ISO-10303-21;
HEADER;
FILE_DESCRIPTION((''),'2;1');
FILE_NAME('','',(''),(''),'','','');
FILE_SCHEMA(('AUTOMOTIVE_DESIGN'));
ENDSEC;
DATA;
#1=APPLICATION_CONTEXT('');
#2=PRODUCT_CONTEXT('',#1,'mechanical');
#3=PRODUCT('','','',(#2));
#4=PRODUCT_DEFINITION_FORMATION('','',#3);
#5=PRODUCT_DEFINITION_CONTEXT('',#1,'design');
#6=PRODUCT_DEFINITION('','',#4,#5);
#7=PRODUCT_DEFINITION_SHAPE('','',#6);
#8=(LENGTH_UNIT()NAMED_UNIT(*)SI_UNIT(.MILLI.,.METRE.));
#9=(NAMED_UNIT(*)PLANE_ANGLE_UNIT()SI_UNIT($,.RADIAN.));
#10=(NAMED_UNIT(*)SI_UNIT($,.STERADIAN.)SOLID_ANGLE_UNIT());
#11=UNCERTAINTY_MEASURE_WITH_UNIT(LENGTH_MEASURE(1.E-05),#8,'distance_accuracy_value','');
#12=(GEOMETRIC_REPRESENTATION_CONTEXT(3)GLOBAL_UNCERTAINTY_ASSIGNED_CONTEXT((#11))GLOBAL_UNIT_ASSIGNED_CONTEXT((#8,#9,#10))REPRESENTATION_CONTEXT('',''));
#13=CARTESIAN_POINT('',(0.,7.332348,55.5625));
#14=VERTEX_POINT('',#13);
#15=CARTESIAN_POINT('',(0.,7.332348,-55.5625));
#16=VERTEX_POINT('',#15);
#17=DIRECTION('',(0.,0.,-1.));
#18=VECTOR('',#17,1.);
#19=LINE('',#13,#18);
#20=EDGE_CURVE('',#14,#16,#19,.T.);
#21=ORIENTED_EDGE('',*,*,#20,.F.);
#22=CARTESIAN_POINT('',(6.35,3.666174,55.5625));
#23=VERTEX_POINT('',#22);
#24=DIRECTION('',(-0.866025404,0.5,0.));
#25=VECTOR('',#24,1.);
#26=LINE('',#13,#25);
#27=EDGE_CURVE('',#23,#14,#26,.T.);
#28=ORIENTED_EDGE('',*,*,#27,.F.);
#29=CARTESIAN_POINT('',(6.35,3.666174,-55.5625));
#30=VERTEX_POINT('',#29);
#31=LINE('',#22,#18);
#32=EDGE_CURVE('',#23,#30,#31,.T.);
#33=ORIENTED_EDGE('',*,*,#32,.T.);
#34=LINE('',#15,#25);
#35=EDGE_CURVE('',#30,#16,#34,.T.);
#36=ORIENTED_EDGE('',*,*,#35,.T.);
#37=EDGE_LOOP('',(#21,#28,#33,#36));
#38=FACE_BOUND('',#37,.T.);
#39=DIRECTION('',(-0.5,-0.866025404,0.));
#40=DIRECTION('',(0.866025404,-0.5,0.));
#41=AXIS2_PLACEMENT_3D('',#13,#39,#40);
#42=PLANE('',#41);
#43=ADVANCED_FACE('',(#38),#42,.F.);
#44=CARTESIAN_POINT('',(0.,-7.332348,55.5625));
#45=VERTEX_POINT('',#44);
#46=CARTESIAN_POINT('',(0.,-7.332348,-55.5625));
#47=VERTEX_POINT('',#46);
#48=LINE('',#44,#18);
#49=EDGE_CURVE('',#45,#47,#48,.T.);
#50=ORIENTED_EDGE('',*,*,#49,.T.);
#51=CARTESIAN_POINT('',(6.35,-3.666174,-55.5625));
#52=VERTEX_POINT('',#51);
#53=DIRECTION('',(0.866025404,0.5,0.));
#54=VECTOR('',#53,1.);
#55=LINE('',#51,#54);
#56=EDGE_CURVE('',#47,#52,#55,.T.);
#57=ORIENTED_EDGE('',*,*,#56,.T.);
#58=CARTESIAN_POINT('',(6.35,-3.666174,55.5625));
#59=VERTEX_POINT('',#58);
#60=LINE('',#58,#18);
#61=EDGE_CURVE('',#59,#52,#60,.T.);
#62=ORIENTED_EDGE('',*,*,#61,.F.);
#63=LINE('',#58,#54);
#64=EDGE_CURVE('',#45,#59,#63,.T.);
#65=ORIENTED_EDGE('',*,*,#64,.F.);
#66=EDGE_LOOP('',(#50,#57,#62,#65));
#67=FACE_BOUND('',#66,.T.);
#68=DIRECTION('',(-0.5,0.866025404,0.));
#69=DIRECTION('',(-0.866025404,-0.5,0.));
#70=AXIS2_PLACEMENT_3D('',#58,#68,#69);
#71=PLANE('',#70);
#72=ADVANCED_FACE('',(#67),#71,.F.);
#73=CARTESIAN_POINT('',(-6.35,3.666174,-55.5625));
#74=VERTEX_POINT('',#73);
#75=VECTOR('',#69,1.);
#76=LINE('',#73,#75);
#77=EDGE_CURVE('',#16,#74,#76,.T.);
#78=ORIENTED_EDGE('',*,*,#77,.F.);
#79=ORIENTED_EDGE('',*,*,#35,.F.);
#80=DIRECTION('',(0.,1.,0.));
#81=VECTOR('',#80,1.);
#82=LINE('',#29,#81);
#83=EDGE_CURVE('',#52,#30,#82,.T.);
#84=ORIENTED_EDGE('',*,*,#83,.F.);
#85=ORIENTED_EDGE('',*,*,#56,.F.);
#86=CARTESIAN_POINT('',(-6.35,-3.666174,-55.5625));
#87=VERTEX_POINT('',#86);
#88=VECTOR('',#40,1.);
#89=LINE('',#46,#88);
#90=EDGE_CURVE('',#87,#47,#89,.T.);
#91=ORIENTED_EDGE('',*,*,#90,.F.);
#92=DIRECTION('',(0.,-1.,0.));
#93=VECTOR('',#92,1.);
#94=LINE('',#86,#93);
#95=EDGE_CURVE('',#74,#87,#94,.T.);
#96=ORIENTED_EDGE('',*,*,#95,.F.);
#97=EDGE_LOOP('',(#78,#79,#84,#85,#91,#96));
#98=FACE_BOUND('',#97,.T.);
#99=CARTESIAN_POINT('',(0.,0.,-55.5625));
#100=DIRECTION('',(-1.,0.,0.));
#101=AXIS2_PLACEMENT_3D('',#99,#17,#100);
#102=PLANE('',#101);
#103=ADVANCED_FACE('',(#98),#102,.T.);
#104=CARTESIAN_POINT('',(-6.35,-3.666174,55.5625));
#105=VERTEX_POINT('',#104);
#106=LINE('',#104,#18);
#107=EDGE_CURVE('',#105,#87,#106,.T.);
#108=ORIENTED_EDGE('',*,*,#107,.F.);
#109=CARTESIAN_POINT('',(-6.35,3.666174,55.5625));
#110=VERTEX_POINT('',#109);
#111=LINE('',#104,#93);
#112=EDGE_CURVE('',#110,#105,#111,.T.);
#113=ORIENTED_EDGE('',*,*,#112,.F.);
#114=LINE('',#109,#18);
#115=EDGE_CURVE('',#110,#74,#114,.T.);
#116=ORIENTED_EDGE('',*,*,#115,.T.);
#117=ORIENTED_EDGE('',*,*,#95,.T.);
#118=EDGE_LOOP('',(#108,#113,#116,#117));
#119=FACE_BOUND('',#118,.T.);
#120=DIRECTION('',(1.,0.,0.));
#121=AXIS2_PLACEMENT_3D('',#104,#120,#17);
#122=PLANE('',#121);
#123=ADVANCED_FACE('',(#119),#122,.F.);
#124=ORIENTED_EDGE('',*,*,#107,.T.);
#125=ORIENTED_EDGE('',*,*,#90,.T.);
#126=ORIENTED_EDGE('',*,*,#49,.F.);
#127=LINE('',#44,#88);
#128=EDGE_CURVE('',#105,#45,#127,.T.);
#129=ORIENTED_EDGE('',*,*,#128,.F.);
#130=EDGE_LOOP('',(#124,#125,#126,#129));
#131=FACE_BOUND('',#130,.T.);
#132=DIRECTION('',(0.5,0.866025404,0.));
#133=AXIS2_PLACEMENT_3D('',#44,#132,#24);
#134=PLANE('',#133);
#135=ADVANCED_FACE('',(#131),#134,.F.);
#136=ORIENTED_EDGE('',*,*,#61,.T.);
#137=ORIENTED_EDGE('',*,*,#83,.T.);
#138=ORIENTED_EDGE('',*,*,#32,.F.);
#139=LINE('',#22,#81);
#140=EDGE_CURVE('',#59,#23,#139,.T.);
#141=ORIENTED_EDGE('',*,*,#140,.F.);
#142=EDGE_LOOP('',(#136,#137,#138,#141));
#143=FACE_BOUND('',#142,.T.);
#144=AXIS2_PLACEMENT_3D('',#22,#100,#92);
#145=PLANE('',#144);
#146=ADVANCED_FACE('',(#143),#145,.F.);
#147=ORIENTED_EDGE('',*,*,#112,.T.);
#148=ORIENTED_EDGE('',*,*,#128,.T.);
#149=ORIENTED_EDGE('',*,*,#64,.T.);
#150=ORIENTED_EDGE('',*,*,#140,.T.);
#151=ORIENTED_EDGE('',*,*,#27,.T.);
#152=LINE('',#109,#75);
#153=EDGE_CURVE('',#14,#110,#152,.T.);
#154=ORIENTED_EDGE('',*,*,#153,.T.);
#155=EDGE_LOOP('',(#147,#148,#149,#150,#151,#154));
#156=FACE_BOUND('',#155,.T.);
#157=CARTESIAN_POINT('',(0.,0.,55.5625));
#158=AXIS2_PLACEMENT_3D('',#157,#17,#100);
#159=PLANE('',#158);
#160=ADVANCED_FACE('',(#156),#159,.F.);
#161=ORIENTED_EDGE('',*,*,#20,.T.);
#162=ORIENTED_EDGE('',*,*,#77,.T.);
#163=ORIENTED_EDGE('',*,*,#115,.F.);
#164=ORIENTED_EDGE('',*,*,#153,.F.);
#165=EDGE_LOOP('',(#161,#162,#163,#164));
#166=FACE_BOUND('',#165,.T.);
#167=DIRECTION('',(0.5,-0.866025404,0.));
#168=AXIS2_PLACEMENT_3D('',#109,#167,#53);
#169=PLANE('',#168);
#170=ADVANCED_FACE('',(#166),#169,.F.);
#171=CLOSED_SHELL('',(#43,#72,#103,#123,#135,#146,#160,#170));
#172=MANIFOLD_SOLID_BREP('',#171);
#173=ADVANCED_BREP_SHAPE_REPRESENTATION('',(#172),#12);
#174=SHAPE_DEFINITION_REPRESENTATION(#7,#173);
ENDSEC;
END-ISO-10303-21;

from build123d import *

# Parameters (mm, degrees)
BOSS_EXTRUDE1_DEPTH = 55.5625


with BuildPart() as part:
    # Sketch3 → Boss-Extrude1 (new, symmetric)
    with BuildSketch(Plane.XY):
        Polygon((0, 7.332348419), (6.35, 3.666174209), (6.35, -3.666174209), (0, -7.332348419), (-6.35, -3.666174209), (-6.35, 3.666174209), align=None)
    extrude(amount=BOSS_EXTRUDE1_DEPTH, both=True)


solid = part.part
